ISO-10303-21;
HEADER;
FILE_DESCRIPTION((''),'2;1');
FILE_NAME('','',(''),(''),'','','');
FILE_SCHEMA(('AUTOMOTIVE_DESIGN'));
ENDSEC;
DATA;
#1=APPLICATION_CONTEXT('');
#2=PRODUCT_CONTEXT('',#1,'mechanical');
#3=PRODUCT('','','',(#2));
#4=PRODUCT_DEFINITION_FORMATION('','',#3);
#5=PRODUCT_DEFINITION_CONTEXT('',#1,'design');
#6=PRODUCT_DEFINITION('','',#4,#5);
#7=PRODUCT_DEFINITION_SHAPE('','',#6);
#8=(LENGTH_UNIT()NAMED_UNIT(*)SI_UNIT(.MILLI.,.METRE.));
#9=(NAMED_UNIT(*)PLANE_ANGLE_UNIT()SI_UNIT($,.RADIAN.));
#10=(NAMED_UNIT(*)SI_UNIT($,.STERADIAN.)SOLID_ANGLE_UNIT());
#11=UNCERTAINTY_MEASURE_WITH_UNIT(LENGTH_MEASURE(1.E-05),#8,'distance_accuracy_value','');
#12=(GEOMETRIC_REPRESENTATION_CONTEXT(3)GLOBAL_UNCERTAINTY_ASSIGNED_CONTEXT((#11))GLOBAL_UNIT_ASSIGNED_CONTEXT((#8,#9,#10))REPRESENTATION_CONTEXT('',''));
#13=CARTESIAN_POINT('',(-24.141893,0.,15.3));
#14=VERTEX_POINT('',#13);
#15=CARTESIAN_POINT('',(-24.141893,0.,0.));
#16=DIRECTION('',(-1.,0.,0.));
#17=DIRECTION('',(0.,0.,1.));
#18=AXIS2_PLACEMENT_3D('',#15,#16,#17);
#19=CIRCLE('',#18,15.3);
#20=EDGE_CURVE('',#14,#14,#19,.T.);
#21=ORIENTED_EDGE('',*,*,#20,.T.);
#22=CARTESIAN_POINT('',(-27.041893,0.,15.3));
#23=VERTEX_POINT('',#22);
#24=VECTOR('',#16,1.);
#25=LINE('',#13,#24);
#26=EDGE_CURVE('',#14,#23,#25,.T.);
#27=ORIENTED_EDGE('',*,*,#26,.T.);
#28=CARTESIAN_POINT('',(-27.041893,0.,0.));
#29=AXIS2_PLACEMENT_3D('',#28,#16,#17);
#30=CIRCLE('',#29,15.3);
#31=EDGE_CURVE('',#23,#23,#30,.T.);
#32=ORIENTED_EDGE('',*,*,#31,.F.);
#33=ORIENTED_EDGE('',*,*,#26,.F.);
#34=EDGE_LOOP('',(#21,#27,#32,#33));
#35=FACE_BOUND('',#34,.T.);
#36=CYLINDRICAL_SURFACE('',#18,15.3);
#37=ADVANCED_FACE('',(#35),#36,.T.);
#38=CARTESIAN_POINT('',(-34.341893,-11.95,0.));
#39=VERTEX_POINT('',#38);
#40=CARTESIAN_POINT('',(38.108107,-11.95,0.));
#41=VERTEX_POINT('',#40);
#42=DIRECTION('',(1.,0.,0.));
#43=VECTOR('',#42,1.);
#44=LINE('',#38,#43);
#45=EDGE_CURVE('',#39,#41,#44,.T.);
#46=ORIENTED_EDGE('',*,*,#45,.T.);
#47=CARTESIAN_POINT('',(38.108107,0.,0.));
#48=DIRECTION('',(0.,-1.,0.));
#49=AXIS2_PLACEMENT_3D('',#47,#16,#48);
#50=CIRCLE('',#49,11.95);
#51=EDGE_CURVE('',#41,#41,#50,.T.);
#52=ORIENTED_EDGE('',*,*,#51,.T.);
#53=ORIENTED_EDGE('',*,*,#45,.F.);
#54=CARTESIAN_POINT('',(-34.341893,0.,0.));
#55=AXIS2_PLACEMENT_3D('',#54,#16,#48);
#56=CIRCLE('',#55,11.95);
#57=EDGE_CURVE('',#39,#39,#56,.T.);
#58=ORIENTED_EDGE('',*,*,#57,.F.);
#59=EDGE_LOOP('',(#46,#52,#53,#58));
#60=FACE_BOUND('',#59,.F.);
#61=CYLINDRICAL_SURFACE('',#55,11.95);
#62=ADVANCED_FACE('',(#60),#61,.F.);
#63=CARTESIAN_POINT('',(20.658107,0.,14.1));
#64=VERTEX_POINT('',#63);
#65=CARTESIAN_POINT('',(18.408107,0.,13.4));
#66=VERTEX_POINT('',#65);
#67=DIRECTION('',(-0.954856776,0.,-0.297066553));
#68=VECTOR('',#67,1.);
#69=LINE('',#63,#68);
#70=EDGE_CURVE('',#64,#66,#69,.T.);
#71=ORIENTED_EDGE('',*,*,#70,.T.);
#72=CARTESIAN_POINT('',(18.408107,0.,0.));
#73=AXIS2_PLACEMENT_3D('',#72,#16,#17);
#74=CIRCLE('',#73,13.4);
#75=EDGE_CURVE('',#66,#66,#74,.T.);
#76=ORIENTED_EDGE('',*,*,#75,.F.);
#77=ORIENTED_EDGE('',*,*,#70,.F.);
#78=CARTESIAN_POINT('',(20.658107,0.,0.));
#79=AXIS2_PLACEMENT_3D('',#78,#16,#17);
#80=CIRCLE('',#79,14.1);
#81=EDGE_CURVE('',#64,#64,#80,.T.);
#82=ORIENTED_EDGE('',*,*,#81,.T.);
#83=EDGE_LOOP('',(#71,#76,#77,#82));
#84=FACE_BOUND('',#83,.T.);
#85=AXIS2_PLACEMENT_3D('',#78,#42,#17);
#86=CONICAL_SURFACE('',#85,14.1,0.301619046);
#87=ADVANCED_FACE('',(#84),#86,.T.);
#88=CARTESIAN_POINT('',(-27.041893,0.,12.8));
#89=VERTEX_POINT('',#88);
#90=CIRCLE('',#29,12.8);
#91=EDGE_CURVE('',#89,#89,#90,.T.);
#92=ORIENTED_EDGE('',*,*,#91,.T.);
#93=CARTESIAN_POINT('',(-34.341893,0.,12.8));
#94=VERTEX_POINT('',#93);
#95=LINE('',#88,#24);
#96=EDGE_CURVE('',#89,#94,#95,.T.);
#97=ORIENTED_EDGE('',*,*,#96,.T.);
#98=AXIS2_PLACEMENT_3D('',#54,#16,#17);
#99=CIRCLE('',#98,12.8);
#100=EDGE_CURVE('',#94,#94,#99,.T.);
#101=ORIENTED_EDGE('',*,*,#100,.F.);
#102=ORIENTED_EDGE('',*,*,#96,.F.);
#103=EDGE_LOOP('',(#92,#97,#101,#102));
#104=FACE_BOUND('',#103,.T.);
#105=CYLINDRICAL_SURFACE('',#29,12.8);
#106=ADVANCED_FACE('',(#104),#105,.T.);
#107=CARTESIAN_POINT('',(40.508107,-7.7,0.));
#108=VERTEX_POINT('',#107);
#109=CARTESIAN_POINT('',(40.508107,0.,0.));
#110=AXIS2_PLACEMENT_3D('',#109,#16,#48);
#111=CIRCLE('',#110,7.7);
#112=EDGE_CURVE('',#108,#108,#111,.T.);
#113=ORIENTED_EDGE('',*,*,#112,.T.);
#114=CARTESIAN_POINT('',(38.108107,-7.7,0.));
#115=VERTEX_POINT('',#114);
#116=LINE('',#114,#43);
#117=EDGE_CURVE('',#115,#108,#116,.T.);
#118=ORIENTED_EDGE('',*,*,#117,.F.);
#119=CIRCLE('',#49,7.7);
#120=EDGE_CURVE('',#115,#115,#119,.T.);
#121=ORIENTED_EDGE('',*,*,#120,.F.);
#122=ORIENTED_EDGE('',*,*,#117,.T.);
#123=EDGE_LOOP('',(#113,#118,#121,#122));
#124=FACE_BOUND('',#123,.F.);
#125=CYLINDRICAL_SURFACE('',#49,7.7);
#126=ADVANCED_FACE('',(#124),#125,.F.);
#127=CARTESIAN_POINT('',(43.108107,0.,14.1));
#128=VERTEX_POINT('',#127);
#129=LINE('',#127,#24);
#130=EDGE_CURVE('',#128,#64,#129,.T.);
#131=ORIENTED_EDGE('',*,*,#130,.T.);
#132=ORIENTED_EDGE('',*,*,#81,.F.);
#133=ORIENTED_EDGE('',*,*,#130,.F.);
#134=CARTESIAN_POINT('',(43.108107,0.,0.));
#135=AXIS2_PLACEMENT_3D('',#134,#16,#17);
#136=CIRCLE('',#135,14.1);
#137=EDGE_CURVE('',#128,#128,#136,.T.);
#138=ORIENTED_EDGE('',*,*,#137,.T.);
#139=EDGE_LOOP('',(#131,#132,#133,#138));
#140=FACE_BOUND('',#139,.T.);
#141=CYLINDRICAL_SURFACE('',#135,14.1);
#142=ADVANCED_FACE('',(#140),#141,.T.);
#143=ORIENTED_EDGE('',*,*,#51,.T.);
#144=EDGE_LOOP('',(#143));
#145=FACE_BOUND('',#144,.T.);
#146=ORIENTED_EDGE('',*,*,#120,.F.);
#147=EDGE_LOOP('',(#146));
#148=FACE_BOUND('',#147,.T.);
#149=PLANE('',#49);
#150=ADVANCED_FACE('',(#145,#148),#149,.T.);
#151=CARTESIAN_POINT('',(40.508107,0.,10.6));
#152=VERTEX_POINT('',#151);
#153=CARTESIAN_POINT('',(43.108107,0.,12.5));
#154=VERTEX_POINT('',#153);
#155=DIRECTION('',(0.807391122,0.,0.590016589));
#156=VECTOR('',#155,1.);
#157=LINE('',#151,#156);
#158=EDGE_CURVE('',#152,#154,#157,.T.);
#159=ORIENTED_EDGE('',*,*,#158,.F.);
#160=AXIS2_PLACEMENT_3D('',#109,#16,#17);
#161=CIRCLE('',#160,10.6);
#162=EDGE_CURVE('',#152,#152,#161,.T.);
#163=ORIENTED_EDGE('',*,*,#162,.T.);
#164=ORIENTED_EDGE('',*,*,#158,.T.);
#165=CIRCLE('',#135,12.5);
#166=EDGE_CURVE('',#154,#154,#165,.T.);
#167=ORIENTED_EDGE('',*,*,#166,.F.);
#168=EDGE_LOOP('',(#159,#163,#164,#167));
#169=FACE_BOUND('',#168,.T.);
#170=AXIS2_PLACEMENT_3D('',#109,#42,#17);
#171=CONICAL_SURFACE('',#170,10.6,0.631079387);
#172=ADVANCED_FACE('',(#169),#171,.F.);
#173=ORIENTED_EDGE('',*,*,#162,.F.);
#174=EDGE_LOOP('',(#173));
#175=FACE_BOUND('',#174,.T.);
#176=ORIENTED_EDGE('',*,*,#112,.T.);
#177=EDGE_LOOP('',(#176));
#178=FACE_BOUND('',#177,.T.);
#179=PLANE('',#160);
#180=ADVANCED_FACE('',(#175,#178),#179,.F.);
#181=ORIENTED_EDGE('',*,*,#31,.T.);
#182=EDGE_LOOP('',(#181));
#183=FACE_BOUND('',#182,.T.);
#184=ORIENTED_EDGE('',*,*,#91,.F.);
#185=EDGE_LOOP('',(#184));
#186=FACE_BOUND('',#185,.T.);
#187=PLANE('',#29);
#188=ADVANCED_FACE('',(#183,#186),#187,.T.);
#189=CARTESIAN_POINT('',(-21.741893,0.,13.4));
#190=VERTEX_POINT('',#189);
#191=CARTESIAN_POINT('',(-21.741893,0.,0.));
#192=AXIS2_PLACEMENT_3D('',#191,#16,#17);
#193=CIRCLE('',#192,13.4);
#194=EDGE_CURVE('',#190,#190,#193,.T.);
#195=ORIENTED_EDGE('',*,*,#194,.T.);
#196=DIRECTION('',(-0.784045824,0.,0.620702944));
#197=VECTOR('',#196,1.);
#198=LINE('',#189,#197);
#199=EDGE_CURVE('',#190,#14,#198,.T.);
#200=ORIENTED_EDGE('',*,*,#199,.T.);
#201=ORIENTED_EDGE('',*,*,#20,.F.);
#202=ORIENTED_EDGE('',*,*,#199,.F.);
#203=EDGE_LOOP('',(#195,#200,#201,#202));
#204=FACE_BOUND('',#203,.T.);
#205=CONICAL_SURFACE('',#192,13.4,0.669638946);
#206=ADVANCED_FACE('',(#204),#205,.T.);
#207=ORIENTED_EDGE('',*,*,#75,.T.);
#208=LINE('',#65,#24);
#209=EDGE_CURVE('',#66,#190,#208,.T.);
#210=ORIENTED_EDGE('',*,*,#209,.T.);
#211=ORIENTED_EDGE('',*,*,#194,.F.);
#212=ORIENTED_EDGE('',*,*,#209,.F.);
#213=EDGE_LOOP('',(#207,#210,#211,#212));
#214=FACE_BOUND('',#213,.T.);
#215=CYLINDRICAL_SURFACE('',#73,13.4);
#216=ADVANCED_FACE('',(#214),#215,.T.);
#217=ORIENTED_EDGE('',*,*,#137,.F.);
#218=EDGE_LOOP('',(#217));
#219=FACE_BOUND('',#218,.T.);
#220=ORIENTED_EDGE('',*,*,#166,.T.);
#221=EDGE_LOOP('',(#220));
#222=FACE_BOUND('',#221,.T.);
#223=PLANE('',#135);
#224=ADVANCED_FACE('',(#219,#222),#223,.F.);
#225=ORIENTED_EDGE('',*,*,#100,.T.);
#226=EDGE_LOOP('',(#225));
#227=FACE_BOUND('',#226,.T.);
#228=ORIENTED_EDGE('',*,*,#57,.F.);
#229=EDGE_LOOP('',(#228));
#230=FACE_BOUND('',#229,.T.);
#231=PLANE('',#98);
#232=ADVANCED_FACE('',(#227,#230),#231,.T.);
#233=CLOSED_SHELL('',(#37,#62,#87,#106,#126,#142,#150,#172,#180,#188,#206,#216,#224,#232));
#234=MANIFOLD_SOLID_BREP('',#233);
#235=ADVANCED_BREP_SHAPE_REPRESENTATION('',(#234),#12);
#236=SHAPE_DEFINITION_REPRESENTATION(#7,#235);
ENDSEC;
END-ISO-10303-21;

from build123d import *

# Parameters (mm, degrees)
F2_R     = 11.95
F3_DEPTH = 72.45
F4_R     = 7.7
F5_DEPTH = 5.001


with BuildPart() as f1:
    # F0 (on Front) → F1 (revolve)
    with BuildSketch(Plane.XZ):
        Polygon((-34.341893, 12.8), (-34.341893, 0), (40.508107, 0), (40.508107, 10.6), (43.108107, 12.5), (43.108107, 14.1), (20.658107, 14.1), (18.408107, 13.4), (-21.741893, 13.4), (-24.141893, 15.3), (-27.041893, 15.3), (-27.041893, 12.8), align=None)
    revolve(axis=Axis((3.083107, 0, 0), (-1, 0, 0)))

    # F2 (on face) → F3 (cut)
    with BuildSketch(Plane(origin=(-34.341893, 0, 0), x_dir=(0, -1, 0), z_dir=(-1, 0, 0))):
        Circle(F2_R)
    extrude(amount=-F3_DEPTH, mode=Mode.SUBTRACT)

    # F4 (on face) → F5 (cut, through all)
    with BuildSketch(Plane(origin=(38.108107, 0, 0), x_dir=(0, -1, 0), z_dir=(-1, 0, 0))):
        Circle(F4_R)
    extrude(amount=-F5_DEPTH, mode=Mode.SUBTRACT)


solid = f1.part
